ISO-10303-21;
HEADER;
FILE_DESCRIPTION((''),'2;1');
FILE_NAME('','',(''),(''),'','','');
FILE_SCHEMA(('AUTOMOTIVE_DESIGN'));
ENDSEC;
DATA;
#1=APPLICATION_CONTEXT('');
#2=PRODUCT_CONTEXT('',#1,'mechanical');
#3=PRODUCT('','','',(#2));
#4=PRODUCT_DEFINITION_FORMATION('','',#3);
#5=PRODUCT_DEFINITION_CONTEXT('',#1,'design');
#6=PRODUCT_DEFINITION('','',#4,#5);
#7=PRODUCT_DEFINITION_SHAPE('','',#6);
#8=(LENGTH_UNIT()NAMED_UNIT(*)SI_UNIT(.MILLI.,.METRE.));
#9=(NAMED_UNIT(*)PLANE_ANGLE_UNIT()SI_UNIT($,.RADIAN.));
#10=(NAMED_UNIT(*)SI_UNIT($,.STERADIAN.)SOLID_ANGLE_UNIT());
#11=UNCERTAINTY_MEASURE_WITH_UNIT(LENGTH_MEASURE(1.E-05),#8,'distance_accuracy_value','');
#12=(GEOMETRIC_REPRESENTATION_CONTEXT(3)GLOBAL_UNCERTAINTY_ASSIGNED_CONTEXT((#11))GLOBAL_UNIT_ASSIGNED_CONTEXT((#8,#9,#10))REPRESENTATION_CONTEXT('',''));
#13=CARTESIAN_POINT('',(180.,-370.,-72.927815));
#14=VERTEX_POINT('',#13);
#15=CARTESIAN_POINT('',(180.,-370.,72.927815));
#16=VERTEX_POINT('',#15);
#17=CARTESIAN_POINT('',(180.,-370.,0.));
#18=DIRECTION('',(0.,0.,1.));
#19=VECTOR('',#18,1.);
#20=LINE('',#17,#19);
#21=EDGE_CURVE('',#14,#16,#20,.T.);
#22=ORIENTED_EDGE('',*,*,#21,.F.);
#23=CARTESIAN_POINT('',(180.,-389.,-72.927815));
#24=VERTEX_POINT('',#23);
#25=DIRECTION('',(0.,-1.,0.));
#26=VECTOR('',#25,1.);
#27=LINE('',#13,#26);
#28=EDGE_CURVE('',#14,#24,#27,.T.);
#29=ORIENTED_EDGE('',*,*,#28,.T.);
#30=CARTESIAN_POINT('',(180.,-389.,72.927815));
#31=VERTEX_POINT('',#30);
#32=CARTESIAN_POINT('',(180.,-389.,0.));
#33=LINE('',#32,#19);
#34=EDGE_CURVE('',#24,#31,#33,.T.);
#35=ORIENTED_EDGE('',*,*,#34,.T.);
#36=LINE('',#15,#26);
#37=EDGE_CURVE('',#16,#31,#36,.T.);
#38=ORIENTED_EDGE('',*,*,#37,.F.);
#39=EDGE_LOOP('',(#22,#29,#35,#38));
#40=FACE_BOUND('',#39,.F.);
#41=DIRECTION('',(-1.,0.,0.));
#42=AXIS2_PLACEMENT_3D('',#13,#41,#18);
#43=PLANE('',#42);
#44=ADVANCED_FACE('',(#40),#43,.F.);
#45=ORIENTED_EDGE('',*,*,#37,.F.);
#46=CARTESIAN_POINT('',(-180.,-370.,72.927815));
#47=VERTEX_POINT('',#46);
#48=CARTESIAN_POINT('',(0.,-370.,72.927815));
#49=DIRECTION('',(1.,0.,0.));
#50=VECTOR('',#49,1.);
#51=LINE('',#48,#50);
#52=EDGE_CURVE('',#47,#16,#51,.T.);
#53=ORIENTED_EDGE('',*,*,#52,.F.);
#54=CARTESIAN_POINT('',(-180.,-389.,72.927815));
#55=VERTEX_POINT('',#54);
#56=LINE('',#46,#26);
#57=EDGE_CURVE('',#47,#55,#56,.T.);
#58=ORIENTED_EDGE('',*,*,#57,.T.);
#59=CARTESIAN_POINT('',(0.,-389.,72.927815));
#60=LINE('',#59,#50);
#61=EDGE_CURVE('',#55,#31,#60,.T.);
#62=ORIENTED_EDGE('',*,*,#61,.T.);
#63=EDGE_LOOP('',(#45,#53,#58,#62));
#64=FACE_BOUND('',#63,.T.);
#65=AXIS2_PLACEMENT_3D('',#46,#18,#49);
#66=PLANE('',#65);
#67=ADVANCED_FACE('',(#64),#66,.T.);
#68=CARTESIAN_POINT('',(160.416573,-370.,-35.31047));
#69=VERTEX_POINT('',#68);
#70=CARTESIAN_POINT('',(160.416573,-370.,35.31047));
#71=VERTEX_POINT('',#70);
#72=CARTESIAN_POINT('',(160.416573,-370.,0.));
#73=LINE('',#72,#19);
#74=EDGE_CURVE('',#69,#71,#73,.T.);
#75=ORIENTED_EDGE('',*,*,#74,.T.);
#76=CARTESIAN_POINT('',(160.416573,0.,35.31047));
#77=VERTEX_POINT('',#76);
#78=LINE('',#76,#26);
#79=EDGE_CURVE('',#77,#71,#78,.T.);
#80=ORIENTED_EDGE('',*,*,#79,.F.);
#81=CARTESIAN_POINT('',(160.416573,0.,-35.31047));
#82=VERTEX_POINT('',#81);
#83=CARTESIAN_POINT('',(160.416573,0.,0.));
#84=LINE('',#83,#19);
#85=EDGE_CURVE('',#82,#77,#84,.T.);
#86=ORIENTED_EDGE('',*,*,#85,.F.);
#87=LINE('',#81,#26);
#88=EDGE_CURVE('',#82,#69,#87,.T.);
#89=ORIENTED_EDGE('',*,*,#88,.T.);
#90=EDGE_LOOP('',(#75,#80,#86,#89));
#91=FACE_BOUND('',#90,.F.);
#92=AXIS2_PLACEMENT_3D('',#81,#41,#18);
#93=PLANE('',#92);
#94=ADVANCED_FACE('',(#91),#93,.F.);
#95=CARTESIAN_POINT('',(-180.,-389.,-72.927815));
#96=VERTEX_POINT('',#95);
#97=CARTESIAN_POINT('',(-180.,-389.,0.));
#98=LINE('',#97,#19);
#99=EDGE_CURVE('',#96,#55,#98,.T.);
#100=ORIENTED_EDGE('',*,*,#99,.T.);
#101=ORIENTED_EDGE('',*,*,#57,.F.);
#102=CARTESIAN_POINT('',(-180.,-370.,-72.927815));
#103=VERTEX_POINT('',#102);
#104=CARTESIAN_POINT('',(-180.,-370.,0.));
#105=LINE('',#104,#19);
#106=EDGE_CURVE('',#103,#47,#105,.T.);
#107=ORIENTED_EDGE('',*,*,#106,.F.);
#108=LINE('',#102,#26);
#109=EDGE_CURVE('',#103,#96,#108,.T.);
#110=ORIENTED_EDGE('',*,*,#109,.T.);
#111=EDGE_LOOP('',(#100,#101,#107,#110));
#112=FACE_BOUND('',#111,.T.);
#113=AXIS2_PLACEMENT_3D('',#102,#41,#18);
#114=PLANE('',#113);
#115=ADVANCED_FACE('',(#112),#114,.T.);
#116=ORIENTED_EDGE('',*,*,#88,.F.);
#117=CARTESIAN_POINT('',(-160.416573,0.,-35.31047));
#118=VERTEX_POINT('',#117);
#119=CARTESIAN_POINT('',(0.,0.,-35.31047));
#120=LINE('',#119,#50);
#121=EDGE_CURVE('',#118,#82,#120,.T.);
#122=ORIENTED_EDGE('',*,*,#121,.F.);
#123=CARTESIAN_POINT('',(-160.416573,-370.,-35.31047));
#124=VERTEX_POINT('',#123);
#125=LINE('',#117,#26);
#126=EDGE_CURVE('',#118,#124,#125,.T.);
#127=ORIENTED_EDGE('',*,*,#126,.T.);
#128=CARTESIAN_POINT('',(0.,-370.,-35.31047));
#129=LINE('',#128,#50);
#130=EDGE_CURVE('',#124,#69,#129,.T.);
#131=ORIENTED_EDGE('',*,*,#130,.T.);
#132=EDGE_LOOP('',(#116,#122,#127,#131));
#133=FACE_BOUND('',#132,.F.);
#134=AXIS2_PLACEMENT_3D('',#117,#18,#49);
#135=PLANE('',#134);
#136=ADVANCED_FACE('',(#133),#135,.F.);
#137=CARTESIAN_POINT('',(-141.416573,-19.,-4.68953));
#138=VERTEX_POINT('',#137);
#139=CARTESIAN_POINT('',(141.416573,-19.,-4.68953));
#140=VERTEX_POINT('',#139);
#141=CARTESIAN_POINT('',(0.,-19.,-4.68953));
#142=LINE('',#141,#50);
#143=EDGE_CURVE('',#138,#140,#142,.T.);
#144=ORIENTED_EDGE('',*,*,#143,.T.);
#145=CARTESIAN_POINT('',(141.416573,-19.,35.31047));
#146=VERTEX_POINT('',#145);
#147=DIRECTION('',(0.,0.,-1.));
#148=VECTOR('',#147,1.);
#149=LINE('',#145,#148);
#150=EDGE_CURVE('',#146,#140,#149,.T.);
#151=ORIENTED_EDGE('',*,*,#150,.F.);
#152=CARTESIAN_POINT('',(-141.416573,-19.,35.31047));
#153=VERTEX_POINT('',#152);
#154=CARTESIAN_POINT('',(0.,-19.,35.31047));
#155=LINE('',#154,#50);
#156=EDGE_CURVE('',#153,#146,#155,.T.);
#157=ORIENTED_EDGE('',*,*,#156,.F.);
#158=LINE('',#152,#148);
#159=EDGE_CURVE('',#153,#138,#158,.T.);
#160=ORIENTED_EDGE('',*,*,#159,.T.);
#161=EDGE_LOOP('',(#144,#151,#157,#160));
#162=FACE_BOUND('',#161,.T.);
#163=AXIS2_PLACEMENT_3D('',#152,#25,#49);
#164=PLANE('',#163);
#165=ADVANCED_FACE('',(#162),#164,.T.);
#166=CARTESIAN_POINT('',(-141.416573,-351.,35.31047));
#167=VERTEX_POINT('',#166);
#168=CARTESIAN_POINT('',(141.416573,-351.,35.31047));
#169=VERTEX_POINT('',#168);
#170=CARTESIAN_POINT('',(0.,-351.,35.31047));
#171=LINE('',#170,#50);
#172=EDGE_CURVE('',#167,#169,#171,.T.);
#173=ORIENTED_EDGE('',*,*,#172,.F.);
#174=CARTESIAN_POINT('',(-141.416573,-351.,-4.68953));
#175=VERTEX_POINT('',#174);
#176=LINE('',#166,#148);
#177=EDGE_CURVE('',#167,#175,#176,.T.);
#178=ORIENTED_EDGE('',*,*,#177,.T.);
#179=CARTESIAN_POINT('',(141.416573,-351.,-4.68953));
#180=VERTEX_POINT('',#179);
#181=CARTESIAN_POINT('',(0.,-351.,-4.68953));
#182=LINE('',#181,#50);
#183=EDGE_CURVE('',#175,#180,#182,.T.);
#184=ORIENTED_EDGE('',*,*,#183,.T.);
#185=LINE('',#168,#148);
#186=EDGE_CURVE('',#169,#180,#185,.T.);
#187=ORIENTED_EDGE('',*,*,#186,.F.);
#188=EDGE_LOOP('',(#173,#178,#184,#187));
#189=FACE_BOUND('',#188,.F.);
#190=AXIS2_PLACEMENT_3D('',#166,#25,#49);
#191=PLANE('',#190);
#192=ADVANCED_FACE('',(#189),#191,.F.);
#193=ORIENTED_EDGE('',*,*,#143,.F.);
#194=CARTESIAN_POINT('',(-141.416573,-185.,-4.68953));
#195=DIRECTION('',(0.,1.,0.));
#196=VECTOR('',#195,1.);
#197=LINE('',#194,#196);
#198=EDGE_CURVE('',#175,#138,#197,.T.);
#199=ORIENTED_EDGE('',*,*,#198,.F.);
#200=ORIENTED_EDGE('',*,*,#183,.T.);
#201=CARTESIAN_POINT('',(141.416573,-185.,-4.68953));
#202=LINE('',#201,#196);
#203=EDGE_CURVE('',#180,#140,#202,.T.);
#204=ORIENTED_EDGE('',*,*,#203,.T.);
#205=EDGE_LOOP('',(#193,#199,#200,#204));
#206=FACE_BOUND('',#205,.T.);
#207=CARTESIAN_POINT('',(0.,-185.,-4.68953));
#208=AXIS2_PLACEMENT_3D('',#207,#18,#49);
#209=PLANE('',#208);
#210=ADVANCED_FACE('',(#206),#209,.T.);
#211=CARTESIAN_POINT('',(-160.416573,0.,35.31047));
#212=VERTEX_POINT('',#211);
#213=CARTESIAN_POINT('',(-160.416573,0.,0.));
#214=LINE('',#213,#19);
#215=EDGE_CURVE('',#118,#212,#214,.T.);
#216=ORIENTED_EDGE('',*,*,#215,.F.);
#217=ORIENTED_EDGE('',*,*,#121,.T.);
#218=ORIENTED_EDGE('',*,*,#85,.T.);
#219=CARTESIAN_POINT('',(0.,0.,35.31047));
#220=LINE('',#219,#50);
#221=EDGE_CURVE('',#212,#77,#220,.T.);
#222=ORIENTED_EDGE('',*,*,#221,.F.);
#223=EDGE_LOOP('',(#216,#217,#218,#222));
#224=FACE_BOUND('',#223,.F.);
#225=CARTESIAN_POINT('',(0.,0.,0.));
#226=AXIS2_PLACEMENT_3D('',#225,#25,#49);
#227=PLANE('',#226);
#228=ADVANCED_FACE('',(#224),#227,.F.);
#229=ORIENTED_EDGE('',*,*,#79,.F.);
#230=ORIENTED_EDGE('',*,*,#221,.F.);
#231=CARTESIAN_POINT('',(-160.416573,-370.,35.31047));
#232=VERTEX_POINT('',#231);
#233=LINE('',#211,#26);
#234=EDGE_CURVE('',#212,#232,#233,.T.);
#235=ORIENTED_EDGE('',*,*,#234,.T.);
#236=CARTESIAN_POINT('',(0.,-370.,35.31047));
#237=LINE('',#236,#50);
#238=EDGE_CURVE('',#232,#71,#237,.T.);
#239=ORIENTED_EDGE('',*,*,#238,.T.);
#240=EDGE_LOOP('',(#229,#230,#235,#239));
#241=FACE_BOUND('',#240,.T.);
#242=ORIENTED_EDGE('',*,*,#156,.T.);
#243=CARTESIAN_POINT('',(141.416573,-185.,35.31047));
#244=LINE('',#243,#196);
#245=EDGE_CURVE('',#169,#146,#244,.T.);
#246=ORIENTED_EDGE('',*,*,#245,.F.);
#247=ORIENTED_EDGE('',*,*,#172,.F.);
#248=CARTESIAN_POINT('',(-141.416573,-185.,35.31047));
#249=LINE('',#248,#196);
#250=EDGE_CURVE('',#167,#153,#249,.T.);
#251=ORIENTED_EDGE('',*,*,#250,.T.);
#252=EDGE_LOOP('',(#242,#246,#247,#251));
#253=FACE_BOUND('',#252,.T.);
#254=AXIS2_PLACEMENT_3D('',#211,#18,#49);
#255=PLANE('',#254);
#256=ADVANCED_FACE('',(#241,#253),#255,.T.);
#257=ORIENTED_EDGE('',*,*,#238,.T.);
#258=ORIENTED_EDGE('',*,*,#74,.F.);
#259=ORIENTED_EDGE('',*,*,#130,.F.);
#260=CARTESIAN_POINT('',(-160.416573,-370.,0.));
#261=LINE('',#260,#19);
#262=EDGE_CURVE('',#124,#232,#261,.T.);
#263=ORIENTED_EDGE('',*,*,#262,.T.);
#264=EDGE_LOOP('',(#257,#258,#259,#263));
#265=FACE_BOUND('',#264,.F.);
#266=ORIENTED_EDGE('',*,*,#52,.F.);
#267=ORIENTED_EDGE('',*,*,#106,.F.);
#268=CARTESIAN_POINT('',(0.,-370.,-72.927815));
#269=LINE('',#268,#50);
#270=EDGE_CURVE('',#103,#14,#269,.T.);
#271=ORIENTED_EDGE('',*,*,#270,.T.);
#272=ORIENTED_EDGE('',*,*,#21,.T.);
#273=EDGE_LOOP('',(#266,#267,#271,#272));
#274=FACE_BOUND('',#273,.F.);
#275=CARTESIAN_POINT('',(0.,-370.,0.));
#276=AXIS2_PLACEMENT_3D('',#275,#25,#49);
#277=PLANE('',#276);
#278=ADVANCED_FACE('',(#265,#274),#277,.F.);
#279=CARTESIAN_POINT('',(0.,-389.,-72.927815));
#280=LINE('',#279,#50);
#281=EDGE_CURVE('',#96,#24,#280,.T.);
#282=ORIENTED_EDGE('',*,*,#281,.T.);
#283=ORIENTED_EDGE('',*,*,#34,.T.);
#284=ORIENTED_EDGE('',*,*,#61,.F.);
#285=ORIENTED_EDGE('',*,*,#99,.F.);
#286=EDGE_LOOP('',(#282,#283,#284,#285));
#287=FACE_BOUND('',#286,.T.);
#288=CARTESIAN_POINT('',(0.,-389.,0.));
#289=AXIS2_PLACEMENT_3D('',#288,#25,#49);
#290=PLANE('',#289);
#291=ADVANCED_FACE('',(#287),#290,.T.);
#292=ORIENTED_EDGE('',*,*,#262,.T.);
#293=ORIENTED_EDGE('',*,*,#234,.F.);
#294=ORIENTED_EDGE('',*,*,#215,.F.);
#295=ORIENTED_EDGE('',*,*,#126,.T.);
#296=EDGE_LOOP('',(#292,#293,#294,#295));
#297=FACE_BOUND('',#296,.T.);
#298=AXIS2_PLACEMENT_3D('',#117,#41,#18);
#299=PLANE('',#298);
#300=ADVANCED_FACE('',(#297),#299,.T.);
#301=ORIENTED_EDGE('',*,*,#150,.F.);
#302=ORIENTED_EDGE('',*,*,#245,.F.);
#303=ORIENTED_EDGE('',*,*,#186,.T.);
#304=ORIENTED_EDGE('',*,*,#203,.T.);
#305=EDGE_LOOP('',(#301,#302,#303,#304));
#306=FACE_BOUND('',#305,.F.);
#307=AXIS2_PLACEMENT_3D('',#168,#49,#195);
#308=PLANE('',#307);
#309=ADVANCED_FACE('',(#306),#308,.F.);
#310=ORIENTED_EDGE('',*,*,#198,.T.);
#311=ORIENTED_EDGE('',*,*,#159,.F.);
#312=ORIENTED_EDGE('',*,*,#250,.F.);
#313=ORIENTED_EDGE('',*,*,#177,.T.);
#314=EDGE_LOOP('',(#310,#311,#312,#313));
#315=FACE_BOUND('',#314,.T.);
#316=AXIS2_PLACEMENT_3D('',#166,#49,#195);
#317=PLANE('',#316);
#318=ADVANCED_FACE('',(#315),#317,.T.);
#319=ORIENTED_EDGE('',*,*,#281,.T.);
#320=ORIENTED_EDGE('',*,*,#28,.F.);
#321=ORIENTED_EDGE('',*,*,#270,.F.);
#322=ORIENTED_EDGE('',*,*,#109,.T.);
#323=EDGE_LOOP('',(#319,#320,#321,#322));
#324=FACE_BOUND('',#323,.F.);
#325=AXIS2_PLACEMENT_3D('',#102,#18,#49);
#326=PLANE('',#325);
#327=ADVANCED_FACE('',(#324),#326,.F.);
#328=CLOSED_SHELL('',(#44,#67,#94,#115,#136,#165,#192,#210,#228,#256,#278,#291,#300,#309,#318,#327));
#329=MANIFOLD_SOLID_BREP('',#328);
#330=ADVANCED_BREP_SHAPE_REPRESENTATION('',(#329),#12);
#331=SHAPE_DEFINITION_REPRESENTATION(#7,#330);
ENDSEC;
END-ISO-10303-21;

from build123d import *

# Parameters (mm, degrees)
F0_W     = 320.8331465721
F0_H     = 70.6209391356
F1_DEPTH = 370
F2_W     = 282.8331465721
F2_H     = 332
F3_DEPTH = 40
F4_W     = 282.8331465721
F4_H     = 332
F5_DEPTH = 40
F6_W     = 360
F6_H     = 145.8556303974
F6_W_2   = 320.8331465721
F6_H_2   = 70.6209391356
F7_DEPTH = 19


with BuildPart() as f1:
    # F0 (on Front) → F1 (new body)
    with BuildSketch(Plane.XZ):
        Rectangle(F0_W, F0_H)
    extrude(amount=F1_DEPTH)

    # F2 (on face) → F3 (join)
    with BuildSketch(Plane.XY.offset(35.3104695678)):
        with Locations((0, -185)):
            Rectangle(F2_W, F2_H)
    extrude(amount=-F3_DEPTH)

    # F4 (on face) → F5 (cut)
    with BuildSketch(Plane.XY.offset(35.3104695678)):
        with Locations((0, -185)):
            Rectangle(F4_W, F4_H)
    extrude(amount=-F5_DEPTH, mode=Mode.SUBTRACT)

    # F6 (on face) → F7 (join)
    with BuildSketch(Plane.XZ.offset(370)):
        Rectangle(F6_W, F6_H)
        Rectangle(F6_W_2, F6_H_2, mode=Mode.SUBTRACT)
        Rectangle(F6_W_2, F6_H_2)
    extrude(amount=F7_DEPTH)


solid = f1.part
